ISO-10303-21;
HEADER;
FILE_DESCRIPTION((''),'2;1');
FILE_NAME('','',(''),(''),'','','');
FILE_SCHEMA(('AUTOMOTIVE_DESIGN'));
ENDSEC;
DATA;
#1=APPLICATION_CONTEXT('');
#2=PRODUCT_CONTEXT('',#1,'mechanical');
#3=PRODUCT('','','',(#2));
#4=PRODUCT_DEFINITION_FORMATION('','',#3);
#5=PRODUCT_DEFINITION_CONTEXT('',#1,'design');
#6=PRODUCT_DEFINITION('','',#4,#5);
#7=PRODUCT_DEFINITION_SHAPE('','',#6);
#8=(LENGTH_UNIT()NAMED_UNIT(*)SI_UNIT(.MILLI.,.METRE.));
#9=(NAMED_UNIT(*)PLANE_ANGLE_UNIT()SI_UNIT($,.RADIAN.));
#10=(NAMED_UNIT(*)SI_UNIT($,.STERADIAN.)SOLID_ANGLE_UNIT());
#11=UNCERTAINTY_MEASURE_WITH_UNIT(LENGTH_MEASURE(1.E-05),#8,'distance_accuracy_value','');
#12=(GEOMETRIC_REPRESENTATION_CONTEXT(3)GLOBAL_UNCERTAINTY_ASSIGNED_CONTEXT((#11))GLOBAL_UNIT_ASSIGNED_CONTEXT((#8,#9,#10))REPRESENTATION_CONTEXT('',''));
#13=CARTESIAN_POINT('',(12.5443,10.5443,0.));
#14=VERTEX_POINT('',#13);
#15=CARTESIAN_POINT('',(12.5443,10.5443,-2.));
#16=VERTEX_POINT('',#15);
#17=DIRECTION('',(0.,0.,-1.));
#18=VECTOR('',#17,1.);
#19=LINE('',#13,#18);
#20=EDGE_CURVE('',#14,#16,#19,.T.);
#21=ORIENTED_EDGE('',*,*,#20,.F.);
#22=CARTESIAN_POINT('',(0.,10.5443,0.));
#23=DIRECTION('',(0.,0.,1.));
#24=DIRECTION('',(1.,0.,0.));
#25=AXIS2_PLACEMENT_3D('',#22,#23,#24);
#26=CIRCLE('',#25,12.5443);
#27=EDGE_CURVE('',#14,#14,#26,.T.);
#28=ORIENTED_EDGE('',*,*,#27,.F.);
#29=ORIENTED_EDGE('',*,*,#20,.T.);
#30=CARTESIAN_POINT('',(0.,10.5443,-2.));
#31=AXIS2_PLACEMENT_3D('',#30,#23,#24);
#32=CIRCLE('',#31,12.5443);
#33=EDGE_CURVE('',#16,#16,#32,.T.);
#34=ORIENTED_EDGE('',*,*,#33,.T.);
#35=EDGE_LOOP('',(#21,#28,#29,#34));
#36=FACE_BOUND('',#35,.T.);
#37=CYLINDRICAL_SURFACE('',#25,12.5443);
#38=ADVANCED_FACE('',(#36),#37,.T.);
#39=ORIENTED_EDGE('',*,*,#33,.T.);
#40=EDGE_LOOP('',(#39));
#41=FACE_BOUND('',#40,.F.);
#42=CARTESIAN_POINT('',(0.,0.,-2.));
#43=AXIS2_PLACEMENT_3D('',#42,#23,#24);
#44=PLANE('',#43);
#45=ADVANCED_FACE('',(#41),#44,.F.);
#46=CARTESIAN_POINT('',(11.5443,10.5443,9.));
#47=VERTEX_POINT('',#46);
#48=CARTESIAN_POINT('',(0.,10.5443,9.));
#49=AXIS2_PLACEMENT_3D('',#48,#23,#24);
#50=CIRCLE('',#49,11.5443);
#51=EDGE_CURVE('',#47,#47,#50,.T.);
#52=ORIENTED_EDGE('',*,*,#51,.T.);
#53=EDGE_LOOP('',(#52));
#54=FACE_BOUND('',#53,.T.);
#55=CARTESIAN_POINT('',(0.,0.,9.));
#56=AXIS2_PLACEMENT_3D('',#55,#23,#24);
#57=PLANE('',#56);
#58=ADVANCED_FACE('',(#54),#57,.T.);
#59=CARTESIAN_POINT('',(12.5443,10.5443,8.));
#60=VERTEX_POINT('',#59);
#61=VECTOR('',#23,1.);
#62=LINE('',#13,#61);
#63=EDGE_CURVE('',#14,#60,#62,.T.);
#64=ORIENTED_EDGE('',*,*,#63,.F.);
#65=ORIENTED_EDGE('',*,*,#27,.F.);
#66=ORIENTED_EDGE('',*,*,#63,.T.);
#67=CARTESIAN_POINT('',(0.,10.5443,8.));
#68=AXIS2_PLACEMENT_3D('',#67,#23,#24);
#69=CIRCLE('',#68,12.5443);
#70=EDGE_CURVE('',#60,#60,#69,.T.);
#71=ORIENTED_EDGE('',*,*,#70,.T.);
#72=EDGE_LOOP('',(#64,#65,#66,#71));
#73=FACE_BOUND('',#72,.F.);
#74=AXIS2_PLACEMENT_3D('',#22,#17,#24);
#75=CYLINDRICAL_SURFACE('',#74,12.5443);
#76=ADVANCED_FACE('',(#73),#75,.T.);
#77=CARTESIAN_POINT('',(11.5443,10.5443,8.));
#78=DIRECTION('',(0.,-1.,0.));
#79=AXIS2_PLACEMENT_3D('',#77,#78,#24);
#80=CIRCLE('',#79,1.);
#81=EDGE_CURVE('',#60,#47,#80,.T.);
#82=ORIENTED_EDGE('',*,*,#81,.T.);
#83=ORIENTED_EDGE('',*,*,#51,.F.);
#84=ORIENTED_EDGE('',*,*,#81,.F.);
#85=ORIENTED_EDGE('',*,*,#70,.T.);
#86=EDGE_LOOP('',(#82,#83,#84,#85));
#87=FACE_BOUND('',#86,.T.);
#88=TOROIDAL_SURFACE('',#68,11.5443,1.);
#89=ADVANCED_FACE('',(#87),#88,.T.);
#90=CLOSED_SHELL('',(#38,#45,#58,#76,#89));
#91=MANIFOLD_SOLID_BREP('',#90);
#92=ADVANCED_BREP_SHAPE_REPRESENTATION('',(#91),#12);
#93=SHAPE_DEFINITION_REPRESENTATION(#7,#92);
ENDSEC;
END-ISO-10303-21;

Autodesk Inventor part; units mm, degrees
ref_plane "YZ Plane" through (0, 0, 0) normal (1, 0, 0) x (0, 1, 0)
ref_plane "XZ Plane" through (0, 0, 0) normal (0, 1, 0) x (-1, 0, 0)
ref_plane "XY Plane" through (0, 0, 0) normal (0, 0, 1) x (1, 0, 0)
ref_plane "Arbeitsebene1" through (0, 0, 0) normal (0, 0, 1) x (1, 0, 0)
sketch "Skizze1" plane through (0, 0, 0) normal (0, 0, 1) x (1, 0, 0)
  circle A0 centre (0, 10.5443) radius 12.5443 projected
  circle A1 centre (0, 10.5443) radius 12.5443 construction
  point P0 (0, 0)
extrude "Extrusion1" add sketch "Skizze1" along normal blind 9 and the other way blind 2
fillet "Rundung1" radius 1 1 edges at (-12.5443, 10.5443, 9)
properties part number "LampAddOn"
